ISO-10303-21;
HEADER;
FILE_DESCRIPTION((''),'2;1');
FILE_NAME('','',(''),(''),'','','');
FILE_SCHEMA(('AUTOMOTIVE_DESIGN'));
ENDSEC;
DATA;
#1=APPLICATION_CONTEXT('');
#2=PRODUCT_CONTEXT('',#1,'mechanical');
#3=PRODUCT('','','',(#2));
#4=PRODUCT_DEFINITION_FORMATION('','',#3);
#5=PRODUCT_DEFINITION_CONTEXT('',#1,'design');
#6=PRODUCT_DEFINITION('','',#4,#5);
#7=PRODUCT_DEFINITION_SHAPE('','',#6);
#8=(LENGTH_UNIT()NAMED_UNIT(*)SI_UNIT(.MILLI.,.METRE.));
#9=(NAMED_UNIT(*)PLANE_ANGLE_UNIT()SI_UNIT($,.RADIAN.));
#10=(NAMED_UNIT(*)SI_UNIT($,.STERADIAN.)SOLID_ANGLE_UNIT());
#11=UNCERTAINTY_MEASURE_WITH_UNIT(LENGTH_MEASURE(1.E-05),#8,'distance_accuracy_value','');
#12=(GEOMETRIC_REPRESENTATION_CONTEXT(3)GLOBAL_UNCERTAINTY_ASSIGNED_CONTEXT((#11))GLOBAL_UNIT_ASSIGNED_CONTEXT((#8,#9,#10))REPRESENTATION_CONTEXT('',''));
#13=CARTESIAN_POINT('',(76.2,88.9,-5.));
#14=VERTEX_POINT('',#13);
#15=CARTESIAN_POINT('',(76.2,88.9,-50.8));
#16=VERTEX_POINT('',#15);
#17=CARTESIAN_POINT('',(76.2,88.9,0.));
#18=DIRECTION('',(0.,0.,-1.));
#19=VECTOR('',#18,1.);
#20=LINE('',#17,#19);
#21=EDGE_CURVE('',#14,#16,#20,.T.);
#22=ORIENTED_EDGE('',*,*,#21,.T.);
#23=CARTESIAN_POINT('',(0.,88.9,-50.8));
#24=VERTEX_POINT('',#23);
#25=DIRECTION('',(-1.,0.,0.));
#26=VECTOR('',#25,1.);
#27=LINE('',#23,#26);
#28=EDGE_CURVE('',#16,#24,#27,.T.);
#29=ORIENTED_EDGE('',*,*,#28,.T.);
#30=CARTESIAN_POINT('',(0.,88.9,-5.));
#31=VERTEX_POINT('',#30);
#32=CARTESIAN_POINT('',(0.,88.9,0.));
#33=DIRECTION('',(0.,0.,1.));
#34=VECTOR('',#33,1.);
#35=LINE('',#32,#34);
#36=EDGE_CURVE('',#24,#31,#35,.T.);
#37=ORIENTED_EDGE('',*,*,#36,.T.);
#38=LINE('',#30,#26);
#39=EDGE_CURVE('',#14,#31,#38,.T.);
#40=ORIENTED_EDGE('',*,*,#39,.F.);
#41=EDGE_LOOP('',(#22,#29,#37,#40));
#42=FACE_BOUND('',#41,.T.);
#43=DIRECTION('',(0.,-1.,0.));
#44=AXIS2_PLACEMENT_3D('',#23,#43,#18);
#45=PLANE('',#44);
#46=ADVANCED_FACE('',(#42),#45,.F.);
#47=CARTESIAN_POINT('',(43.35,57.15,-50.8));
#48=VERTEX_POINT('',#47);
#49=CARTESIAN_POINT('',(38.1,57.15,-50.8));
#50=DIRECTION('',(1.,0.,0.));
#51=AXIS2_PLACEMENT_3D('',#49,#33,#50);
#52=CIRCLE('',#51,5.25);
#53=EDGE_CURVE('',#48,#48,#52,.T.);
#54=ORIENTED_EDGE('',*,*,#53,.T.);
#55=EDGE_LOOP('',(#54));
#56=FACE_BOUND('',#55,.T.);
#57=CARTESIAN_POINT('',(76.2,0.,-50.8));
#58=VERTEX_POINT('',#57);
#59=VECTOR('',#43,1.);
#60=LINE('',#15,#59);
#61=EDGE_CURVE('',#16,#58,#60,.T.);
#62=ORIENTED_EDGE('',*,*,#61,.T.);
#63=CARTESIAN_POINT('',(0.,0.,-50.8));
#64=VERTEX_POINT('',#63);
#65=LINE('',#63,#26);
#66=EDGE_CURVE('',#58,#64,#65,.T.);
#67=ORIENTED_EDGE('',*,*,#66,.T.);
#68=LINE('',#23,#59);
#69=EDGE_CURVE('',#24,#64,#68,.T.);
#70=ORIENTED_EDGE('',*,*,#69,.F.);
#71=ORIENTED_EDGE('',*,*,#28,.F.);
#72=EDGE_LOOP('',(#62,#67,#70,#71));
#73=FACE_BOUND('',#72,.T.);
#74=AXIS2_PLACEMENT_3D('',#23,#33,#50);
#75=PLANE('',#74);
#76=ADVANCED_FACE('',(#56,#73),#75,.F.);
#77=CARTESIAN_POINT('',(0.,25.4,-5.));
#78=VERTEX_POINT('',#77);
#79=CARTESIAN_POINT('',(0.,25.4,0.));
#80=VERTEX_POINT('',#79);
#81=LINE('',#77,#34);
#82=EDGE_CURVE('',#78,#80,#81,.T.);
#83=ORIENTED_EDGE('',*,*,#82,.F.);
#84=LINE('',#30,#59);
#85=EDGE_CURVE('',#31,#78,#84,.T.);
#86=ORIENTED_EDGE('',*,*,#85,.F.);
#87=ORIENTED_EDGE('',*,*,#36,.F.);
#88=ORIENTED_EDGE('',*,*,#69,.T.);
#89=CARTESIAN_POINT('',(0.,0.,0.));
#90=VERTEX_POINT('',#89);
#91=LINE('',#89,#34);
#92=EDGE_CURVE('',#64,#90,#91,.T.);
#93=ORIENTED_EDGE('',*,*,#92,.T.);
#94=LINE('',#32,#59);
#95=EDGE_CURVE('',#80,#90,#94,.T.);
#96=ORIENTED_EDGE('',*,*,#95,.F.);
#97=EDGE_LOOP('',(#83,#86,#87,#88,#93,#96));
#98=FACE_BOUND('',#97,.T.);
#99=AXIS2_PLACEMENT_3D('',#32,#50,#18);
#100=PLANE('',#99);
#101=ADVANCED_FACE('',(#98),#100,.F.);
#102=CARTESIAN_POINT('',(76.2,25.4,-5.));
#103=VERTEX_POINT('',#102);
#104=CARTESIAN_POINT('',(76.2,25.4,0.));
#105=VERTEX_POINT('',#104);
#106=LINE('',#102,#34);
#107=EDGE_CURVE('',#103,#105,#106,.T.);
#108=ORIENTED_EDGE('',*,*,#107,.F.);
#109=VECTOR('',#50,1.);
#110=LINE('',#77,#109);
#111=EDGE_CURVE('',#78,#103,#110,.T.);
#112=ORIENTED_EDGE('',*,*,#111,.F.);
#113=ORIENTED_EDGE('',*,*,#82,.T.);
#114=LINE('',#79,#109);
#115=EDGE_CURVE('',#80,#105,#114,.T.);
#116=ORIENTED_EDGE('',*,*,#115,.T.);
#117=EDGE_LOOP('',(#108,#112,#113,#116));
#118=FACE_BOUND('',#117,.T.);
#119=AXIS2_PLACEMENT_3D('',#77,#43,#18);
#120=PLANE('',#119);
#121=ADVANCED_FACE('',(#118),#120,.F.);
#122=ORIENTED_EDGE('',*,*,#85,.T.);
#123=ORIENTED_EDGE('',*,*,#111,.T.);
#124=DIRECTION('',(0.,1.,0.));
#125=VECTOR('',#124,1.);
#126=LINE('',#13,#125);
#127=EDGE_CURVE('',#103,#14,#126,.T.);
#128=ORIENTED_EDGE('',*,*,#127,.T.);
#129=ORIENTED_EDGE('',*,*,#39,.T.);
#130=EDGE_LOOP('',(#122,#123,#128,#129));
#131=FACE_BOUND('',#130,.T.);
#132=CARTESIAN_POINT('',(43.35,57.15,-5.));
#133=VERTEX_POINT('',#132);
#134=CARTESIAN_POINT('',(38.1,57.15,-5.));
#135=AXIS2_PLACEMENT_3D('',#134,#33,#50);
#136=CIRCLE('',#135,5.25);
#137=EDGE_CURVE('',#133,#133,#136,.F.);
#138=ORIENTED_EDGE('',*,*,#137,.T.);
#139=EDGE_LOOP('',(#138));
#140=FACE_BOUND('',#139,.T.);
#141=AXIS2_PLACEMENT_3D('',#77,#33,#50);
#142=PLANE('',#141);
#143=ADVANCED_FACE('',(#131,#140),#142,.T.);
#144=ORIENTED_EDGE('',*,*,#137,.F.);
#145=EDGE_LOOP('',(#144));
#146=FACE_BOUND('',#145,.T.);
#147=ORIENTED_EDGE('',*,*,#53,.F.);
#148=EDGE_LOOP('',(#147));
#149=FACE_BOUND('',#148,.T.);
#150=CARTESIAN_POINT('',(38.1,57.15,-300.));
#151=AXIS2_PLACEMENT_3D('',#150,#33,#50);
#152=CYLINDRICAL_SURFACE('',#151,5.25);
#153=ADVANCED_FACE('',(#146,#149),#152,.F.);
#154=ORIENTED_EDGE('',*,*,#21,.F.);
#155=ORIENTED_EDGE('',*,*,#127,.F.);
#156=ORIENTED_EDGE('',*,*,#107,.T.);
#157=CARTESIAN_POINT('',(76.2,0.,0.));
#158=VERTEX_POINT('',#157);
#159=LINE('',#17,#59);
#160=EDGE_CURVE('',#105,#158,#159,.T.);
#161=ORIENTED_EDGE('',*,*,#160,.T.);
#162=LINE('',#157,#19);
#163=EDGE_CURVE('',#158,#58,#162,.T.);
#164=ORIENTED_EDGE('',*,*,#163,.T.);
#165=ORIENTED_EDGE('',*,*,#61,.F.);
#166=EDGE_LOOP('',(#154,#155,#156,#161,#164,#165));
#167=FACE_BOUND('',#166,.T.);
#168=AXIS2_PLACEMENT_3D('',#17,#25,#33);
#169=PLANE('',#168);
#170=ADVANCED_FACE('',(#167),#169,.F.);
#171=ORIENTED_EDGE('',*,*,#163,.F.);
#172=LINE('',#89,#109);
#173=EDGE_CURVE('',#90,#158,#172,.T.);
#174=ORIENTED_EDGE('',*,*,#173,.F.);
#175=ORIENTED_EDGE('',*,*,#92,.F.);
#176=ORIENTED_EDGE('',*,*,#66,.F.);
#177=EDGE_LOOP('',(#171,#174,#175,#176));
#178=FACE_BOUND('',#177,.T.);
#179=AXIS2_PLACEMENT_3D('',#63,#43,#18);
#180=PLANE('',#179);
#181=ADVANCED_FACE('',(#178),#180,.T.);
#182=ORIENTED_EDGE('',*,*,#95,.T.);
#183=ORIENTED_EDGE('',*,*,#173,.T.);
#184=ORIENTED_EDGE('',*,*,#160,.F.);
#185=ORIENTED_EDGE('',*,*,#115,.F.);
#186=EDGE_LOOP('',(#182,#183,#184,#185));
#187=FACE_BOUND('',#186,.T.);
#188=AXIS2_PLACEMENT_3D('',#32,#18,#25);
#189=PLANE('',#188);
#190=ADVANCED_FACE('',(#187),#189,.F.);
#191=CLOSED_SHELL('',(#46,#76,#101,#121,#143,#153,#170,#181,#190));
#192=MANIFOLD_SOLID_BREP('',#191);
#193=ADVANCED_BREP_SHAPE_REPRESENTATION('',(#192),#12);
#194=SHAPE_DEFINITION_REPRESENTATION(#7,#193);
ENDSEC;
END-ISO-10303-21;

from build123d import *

# Parameters (mm, degrees)
SKETCH1_W           = 76.2
SKETCH1_H           = 50.8
BOSS_EXTRUDE1_DEPTH = 88.9
SKETCH2_R           = 5.25
CUT_EXTRUDE1_DEPTH  = 300
SKETCH3_W           = 76.2
SKETCH3_H           = 63.5
CUT_EXTRUDE2_DEPTH  = 5


with BuildPart() as part:
    # Sketch1 → Boss-Extrude1 (new body)
    with BuildSketch(Plane(origin=(0, 0, 0), x_dir=(1, 0, 0), z_dir=(0, 1, 0))):
        with Locations((38.1, 25.4)):
            Rectangle(SKETCH1_W, SKETCH1_H)
    extrude(amount=BOSS_EXTRUDE1_DEPTH)

    # Sketch2 → Cut-Extrude1 (cut)
    with BuildSketch(Plane.XY):
        with Locations((38.1, 57.15)):
            Circle(SKETCH2_R)
    extrude(amount=-CUT_EXTRUDE1_DEPTH, mode=Mode.SUBTRACT)

    # Sketch3 → Cut-Extrude2 (cut)
    with BuildSketch(Plane.XY):
        with Locations((38.1, 57.15)):
            Rectangle(SKETCH3_W, SKETCH3_H)
    extrude(amount=-CUT_EXTRUDE2_DEPTH, mode=Mode.SUBTRACT)


solid = part.part
